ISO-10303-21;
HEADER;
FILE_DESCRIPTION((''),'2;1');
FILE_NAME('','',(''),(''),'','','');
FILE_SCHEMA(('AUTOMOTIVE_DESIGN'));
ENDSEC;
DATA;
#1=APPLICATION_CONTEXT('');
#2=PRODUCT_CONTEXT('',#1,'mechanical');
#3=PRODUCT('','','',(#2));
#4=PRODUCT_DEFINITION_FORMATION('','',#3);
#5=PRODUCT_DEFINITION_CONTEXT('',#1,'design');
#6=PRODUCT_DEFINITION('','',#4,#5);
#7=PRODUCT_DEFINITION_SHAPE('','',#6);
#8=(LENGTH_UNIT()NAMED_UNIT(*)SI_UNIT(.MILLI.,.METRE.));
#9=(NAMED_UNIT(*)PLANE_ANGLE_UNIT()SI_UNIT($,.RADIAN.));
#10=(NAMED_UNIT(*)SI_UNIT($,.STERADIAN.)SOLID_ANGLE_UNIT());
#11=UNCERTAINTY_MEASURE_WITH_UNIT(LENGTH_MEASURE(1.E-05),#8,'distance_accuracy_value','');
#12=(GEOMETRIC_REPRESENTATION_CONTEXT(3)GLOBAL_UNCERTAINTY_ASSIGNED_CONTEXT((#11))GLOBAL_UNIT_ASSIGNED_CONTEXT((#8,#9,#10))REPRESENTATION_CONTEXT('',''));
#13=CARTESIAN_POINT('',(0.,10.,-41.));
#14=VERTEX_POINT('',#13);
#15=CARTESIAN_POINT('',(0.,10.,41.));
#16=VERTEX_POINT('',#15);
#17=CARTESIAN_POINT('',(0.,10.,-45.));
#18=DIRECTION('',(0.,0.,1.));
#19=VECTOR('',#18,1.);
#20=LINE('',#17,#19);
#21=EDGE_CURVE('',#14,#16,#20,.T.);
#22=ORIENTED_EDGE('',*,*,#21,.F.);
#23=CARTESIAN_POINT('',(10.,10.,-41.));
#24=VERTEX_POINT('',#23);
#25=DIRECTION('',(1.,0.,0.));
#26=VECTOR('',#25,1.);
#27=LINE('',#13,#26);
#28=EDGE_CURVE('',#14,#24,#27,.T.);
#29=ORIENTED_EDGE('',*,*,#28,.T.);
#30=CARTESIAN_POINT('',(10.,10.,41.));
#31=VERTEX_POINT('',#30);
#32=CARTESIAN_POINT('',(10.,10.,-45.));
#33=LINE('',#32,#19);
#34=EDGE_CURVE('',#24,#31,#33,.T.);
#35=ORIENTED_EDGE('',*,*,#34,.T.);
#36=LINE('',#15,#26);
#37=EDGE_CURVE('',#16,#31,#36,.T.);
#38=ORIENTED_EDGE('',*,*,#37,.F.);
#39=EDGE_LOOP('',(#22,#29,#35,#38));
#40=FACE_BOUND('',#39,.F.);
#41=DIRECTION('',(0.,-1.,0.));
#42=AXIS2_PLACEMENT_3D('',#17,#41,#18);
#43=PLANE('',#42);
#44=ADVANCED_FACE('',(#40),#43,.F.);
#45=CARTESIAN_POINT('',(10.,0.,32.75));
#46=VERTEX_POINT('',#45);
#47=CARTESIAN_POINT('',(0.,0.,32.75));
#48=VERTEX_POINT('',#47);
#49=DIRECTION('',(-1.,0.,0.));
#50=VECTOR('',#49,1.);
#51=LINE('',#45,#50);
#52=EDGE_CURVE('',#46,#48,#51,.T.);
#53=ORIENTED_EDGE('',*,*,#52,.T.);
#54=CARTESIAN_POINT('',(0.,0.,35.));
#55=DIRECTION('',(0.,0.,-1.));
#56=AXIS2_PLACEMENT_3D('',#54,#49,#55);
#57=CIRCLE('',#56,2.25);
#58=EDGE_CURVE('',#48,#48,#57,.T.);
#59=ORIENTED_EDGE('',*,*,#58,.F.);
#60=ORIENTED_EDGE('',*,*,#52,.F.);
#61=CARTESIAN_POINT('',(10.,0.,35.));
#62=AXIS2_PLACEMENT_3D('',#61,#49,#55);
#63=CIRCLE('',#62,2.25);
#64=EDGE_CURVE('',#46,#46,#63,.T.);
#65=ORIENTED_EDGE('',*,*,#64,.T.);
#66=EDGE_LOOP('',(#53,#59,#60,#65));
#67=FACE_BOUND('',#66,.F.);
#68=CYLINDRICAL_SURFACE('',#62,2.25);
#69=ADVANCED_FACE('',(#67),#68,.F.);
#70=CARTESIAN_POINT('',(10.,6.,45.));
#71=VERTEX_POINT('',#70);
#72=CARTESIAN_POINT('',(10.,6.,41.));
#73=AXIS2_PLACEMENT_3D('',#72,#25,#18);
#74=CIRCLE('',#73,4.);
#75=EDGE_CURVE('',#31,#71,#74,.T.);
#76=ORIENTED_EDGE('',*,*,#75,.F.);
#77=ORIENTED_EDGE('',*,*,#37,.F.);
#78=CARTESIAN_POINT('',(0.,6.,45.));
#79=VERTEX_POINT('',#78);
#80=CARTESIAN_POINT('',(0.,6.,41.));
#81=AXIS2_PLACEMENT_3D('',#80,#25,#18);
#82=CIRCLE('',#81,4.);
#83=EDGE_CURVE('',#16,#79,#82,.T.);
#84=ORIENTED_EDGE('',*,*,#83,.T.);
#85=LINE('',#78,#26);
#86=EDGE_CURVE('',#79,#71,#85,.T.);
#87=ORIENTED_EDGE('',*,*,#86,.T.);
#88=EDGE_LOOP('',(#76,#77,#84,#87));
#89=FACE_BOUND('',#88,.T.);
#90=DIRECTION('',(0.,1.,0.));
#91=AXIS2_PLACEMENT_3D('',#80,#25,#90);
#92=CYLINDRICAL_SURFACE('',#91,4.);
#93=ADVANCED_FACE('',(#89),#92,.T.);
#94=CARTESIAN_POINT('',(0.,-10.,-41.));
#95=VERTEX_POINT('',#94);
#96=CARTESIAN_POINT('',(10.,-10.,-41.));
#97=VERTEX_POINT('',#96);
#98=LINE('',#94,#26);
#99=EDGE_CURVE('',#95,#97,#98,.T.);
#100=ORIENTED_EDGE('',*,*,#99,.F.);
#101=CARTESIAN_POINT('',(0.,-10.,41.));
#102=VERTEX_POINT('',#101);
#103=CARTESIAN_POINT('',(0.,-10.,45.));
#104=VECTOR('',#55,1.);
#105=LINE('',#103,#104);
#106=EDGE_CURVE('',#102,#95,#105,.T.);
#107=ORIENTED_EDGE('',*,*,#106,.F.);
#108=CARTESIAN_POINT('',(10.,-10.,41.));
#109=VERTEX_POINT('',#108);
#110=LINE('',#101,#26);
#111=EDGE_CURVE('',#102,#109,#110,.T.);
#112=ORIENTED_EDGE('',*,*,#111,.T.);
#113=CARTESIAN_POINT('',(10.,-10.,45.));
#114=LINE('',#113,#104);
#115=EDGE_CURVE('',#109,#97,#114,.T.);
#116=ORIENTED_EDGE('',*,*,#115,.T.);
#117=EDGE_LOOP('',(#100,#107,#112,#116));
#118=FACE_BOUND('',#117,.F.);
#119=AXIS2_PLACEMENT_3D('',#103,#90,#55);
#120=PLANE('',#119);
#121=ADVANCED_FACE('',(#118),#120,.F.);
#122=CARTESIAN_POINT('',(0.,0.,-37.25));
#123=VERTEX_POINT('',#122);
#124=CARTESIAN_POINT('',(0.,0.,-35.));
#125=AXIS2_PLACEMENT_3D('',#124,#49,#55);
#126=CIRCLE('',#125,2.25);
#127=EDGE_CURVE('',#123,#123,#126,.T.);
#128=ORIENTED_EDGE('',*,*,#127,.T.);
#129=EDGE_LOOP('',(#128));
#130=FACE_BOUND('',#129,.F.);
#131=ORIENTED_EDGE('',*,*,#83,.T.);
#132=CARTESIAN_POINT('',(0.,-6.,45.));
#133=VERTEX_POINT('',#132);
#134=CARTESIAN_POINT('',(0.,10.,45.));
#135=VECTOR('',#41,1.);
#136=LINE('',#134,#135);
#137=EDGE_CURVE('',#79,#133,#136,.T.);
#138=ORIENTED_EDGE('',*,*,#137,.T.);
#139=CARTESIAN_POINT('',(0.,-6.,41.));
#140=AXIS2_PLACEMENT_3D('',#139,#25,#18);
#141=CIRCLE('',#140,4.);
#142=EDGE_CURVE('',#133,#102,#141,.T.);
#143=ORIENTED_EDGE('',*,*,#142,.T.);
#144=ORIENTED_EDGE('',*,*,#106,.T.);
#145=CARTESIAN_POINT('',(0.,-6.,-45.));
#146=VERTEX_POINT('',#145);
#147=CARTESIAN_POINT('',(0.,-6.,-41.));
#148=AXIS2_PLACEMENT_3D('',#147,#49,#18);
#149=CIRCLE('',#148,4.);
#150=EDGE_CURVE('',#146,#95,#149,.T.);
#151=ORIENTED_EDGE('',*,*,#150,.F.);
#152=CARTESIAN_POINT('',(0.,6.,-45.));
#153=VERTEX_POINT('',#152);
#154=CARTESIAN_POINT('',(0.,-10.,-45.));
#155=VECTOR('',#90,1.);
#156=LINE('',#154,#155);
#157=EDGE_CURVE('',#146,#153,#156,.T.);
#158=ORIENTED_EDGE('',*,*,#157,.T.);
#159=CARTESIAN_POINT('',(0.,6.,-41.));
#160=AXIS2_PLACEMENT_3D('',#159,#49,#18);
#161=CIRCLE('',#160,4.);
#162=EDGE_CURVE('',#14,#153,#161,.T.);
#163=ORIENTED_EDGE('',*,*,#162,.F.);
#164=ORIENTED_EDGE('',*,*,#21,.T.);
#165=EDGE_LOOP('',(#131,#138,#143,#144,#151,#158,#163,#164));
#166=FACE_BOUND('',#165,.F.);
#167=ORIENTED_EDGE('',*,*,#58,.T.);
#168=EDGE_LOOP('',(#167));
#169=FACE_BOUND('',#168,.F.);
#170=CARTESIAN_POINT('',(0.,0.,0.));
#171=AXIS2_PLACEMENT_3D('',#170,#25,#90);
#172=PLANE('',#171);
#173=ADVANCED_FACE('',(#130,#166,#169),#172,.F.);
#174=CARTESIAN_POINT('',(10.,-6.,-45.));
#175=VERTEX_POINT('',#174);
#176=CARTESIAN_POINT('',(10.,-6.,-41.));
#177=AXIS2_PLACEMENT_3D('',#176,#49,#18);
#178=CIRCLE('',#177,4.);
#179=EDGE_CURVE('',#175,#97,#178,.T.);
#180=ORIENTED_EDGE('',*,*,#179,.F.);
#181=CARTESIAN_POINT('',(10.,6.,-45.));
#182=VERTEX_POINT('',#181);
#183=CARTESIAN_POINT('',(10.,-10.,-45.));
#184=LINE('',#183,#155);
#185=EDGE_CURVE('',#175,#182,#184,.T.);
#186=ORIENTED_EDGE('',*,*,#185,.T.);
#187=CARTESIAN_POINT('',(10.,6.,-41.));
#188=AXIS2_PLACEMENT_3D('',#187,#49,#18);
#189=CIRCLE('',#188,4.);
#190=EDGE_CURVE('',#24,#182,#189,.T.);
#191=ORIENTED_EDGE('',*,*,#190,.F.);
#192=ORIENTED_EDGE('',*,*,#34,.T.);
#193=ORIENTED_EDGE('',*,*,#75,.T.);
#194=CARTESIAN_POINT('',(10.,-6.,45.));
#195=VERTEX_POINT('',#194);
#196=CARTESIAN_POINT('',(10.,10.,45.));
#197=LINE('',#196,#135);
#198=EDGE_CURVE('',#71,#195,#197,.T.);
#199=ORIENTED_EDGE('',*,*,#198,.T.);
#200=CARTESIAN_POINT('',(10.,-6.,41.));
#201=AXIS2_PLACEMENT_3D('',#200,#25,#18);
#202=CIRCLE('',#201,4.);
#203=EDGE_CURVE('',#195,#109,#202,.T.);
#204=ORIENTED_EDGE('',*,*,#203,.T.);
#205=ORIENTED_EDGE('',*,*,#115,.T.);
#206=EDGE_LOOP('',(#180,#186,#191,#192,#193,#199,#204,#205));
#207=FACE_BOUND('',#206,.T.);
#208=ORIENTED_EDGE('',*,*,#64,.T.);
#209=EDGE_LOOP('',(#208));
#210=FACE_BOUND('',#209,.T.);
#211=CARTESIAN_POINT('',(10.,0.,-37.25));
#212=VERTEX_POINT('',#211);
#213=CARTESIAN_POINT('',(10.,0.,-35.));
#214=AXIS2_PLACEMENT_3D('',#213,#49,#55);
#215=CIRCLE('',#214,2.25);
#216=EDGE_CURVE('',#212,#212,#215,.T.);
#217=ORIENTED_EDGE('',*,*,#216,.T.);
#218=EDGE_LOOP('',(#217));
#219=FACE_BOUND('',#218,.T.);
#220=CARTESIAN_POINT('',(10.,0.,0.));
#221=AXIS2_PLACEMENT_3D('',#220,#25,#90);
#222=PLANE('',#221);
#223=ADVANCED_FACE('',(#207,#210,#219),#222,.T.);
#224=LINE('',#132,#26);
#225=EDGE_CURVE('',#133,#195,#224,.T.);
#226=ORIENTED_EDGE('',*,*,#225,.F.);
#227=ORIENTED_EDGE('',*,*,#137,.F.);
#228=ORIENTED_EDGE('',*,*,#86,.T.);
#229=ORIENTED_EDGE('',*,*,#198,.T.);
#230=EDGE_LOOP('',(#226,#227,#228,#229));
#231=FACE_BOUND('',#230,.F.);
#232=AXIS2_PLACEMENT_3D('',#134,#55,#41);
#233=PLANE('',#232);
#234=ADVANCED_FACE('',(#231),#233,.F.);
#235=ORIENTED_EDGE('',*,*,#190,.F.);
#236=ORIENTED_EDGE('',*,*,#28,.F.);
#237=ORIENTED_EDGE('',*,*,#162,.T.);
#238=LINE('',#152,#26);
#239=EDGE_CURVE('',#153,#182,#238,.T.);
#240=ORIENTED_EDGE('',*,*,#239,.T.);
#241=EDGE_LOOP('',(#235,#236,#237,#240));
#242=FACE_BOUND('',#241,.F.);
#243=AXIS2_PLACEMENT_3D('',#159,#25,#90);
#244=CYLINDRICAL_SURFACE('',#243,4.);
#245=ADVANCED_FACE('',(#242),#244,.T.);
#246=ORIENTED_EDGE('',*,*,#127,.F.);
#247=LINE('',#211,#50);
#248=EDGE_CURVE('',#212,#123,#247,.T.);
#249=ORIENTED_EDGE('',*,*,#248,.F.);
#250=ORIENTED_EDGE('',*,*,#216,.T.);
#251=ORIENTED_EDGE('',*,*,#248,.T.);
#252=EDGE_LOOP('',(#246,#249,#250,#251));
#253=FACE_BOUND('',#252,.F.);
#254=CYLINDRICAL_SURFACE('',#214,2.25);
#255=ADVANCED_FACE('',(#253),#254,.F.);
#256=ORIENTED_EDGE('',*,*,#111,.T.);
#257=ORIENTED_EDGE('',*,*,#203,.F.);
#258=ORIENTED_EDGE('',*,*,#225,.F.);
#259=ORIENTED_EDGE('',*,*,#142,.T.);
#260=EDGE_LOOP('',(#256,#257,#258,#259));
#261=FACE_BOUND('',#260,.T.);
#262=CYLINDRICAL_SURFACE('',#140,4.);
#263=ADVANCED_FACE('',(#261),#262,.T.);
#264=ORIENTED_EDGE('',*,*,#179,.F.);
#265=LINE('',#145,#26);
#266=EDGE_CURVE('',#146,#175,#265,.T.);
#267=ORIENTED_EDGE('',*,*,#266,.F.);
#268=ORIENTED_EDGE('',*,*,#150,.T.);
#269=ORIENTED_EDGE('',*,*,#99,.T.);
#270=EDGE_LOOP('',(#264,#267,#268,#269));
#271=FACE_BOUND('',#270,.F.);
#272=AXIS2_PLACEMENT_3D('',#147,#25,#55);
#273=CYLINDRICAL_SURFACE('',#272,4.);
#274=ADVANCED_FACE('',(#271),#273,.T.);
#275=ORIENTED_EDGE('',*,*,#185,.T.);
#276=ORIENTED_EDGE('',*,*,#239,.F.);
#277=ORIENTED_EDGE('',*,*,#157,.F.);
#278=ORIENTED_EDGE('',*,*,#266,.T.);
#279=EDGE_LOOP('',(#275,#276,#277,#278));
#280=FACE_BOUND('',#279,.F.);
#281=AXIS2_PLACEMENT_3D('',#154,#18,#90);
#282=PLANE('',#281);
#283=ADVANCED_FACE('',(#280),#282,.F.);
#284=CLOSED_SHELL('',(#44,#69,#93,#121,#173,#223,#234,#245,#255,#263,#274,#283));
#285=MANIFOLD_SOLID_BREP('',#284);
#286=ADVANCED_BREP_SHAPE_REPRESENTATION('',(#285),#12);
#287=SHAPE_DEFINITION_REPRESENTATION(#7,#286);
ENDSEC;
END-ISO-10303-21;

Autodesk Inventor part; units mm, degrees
ref_plane "YZ Plane" through (0, 0, 0) normal (1, 0, 0) x (0, 1, 0)
ref_plane "XZ Plane" through (0, 0, 0) normal (0, 1, 0) x (-1, 0, 0)
ref_plane "XY Plane" through (0, 0, 0) normal (0, 0, 1) x (1, 0, 0)
sketch "Skizze1" plane through (0, 0, 0) normal (1, 0, 0) x (0, 1, 0)
  line L0 (10, 45) -> (-10, 45)
  line L1 (-10, 45) -> (-10, -45)
  line L2 (-10, -45) -> (10, -45)
  line L3 (10, -45) -> (10, 45)
  line L4 (10, 45) -> (-10, -45) construction
  line L5 (-10, 45) -> (10, -45) construction
  point P0 (0, 0)
  dimension "d0" = 90
  dimension "d1" = 20
extrude "Extrusion1" add sketch "Skizze1" along normal blind 10
sketch "Skizze2" plane through (10, 0, 0) normal (1, 0, 0) x (0, 0, -1)
  line L0 (-45, 10) -> (-45, -10) projected
  point P0 (0, 0)
  point P1 (-35, 0)
  point P2 (35, 0)
  dimension "d4" = 10
  dimension "d5" = 70
hole "Bohrung1" at (10, 0, 35) at (10, 0, -35) direction (-1, 0, 0) diameter 4.5 end through all
fillet "Rundung1" radius 4 4 edges at (5, 10, 45) (5, -10, 45) (5, -10, -45) (5, 10, -45)
properties part number "103.019.01_Distanz_Wand"
